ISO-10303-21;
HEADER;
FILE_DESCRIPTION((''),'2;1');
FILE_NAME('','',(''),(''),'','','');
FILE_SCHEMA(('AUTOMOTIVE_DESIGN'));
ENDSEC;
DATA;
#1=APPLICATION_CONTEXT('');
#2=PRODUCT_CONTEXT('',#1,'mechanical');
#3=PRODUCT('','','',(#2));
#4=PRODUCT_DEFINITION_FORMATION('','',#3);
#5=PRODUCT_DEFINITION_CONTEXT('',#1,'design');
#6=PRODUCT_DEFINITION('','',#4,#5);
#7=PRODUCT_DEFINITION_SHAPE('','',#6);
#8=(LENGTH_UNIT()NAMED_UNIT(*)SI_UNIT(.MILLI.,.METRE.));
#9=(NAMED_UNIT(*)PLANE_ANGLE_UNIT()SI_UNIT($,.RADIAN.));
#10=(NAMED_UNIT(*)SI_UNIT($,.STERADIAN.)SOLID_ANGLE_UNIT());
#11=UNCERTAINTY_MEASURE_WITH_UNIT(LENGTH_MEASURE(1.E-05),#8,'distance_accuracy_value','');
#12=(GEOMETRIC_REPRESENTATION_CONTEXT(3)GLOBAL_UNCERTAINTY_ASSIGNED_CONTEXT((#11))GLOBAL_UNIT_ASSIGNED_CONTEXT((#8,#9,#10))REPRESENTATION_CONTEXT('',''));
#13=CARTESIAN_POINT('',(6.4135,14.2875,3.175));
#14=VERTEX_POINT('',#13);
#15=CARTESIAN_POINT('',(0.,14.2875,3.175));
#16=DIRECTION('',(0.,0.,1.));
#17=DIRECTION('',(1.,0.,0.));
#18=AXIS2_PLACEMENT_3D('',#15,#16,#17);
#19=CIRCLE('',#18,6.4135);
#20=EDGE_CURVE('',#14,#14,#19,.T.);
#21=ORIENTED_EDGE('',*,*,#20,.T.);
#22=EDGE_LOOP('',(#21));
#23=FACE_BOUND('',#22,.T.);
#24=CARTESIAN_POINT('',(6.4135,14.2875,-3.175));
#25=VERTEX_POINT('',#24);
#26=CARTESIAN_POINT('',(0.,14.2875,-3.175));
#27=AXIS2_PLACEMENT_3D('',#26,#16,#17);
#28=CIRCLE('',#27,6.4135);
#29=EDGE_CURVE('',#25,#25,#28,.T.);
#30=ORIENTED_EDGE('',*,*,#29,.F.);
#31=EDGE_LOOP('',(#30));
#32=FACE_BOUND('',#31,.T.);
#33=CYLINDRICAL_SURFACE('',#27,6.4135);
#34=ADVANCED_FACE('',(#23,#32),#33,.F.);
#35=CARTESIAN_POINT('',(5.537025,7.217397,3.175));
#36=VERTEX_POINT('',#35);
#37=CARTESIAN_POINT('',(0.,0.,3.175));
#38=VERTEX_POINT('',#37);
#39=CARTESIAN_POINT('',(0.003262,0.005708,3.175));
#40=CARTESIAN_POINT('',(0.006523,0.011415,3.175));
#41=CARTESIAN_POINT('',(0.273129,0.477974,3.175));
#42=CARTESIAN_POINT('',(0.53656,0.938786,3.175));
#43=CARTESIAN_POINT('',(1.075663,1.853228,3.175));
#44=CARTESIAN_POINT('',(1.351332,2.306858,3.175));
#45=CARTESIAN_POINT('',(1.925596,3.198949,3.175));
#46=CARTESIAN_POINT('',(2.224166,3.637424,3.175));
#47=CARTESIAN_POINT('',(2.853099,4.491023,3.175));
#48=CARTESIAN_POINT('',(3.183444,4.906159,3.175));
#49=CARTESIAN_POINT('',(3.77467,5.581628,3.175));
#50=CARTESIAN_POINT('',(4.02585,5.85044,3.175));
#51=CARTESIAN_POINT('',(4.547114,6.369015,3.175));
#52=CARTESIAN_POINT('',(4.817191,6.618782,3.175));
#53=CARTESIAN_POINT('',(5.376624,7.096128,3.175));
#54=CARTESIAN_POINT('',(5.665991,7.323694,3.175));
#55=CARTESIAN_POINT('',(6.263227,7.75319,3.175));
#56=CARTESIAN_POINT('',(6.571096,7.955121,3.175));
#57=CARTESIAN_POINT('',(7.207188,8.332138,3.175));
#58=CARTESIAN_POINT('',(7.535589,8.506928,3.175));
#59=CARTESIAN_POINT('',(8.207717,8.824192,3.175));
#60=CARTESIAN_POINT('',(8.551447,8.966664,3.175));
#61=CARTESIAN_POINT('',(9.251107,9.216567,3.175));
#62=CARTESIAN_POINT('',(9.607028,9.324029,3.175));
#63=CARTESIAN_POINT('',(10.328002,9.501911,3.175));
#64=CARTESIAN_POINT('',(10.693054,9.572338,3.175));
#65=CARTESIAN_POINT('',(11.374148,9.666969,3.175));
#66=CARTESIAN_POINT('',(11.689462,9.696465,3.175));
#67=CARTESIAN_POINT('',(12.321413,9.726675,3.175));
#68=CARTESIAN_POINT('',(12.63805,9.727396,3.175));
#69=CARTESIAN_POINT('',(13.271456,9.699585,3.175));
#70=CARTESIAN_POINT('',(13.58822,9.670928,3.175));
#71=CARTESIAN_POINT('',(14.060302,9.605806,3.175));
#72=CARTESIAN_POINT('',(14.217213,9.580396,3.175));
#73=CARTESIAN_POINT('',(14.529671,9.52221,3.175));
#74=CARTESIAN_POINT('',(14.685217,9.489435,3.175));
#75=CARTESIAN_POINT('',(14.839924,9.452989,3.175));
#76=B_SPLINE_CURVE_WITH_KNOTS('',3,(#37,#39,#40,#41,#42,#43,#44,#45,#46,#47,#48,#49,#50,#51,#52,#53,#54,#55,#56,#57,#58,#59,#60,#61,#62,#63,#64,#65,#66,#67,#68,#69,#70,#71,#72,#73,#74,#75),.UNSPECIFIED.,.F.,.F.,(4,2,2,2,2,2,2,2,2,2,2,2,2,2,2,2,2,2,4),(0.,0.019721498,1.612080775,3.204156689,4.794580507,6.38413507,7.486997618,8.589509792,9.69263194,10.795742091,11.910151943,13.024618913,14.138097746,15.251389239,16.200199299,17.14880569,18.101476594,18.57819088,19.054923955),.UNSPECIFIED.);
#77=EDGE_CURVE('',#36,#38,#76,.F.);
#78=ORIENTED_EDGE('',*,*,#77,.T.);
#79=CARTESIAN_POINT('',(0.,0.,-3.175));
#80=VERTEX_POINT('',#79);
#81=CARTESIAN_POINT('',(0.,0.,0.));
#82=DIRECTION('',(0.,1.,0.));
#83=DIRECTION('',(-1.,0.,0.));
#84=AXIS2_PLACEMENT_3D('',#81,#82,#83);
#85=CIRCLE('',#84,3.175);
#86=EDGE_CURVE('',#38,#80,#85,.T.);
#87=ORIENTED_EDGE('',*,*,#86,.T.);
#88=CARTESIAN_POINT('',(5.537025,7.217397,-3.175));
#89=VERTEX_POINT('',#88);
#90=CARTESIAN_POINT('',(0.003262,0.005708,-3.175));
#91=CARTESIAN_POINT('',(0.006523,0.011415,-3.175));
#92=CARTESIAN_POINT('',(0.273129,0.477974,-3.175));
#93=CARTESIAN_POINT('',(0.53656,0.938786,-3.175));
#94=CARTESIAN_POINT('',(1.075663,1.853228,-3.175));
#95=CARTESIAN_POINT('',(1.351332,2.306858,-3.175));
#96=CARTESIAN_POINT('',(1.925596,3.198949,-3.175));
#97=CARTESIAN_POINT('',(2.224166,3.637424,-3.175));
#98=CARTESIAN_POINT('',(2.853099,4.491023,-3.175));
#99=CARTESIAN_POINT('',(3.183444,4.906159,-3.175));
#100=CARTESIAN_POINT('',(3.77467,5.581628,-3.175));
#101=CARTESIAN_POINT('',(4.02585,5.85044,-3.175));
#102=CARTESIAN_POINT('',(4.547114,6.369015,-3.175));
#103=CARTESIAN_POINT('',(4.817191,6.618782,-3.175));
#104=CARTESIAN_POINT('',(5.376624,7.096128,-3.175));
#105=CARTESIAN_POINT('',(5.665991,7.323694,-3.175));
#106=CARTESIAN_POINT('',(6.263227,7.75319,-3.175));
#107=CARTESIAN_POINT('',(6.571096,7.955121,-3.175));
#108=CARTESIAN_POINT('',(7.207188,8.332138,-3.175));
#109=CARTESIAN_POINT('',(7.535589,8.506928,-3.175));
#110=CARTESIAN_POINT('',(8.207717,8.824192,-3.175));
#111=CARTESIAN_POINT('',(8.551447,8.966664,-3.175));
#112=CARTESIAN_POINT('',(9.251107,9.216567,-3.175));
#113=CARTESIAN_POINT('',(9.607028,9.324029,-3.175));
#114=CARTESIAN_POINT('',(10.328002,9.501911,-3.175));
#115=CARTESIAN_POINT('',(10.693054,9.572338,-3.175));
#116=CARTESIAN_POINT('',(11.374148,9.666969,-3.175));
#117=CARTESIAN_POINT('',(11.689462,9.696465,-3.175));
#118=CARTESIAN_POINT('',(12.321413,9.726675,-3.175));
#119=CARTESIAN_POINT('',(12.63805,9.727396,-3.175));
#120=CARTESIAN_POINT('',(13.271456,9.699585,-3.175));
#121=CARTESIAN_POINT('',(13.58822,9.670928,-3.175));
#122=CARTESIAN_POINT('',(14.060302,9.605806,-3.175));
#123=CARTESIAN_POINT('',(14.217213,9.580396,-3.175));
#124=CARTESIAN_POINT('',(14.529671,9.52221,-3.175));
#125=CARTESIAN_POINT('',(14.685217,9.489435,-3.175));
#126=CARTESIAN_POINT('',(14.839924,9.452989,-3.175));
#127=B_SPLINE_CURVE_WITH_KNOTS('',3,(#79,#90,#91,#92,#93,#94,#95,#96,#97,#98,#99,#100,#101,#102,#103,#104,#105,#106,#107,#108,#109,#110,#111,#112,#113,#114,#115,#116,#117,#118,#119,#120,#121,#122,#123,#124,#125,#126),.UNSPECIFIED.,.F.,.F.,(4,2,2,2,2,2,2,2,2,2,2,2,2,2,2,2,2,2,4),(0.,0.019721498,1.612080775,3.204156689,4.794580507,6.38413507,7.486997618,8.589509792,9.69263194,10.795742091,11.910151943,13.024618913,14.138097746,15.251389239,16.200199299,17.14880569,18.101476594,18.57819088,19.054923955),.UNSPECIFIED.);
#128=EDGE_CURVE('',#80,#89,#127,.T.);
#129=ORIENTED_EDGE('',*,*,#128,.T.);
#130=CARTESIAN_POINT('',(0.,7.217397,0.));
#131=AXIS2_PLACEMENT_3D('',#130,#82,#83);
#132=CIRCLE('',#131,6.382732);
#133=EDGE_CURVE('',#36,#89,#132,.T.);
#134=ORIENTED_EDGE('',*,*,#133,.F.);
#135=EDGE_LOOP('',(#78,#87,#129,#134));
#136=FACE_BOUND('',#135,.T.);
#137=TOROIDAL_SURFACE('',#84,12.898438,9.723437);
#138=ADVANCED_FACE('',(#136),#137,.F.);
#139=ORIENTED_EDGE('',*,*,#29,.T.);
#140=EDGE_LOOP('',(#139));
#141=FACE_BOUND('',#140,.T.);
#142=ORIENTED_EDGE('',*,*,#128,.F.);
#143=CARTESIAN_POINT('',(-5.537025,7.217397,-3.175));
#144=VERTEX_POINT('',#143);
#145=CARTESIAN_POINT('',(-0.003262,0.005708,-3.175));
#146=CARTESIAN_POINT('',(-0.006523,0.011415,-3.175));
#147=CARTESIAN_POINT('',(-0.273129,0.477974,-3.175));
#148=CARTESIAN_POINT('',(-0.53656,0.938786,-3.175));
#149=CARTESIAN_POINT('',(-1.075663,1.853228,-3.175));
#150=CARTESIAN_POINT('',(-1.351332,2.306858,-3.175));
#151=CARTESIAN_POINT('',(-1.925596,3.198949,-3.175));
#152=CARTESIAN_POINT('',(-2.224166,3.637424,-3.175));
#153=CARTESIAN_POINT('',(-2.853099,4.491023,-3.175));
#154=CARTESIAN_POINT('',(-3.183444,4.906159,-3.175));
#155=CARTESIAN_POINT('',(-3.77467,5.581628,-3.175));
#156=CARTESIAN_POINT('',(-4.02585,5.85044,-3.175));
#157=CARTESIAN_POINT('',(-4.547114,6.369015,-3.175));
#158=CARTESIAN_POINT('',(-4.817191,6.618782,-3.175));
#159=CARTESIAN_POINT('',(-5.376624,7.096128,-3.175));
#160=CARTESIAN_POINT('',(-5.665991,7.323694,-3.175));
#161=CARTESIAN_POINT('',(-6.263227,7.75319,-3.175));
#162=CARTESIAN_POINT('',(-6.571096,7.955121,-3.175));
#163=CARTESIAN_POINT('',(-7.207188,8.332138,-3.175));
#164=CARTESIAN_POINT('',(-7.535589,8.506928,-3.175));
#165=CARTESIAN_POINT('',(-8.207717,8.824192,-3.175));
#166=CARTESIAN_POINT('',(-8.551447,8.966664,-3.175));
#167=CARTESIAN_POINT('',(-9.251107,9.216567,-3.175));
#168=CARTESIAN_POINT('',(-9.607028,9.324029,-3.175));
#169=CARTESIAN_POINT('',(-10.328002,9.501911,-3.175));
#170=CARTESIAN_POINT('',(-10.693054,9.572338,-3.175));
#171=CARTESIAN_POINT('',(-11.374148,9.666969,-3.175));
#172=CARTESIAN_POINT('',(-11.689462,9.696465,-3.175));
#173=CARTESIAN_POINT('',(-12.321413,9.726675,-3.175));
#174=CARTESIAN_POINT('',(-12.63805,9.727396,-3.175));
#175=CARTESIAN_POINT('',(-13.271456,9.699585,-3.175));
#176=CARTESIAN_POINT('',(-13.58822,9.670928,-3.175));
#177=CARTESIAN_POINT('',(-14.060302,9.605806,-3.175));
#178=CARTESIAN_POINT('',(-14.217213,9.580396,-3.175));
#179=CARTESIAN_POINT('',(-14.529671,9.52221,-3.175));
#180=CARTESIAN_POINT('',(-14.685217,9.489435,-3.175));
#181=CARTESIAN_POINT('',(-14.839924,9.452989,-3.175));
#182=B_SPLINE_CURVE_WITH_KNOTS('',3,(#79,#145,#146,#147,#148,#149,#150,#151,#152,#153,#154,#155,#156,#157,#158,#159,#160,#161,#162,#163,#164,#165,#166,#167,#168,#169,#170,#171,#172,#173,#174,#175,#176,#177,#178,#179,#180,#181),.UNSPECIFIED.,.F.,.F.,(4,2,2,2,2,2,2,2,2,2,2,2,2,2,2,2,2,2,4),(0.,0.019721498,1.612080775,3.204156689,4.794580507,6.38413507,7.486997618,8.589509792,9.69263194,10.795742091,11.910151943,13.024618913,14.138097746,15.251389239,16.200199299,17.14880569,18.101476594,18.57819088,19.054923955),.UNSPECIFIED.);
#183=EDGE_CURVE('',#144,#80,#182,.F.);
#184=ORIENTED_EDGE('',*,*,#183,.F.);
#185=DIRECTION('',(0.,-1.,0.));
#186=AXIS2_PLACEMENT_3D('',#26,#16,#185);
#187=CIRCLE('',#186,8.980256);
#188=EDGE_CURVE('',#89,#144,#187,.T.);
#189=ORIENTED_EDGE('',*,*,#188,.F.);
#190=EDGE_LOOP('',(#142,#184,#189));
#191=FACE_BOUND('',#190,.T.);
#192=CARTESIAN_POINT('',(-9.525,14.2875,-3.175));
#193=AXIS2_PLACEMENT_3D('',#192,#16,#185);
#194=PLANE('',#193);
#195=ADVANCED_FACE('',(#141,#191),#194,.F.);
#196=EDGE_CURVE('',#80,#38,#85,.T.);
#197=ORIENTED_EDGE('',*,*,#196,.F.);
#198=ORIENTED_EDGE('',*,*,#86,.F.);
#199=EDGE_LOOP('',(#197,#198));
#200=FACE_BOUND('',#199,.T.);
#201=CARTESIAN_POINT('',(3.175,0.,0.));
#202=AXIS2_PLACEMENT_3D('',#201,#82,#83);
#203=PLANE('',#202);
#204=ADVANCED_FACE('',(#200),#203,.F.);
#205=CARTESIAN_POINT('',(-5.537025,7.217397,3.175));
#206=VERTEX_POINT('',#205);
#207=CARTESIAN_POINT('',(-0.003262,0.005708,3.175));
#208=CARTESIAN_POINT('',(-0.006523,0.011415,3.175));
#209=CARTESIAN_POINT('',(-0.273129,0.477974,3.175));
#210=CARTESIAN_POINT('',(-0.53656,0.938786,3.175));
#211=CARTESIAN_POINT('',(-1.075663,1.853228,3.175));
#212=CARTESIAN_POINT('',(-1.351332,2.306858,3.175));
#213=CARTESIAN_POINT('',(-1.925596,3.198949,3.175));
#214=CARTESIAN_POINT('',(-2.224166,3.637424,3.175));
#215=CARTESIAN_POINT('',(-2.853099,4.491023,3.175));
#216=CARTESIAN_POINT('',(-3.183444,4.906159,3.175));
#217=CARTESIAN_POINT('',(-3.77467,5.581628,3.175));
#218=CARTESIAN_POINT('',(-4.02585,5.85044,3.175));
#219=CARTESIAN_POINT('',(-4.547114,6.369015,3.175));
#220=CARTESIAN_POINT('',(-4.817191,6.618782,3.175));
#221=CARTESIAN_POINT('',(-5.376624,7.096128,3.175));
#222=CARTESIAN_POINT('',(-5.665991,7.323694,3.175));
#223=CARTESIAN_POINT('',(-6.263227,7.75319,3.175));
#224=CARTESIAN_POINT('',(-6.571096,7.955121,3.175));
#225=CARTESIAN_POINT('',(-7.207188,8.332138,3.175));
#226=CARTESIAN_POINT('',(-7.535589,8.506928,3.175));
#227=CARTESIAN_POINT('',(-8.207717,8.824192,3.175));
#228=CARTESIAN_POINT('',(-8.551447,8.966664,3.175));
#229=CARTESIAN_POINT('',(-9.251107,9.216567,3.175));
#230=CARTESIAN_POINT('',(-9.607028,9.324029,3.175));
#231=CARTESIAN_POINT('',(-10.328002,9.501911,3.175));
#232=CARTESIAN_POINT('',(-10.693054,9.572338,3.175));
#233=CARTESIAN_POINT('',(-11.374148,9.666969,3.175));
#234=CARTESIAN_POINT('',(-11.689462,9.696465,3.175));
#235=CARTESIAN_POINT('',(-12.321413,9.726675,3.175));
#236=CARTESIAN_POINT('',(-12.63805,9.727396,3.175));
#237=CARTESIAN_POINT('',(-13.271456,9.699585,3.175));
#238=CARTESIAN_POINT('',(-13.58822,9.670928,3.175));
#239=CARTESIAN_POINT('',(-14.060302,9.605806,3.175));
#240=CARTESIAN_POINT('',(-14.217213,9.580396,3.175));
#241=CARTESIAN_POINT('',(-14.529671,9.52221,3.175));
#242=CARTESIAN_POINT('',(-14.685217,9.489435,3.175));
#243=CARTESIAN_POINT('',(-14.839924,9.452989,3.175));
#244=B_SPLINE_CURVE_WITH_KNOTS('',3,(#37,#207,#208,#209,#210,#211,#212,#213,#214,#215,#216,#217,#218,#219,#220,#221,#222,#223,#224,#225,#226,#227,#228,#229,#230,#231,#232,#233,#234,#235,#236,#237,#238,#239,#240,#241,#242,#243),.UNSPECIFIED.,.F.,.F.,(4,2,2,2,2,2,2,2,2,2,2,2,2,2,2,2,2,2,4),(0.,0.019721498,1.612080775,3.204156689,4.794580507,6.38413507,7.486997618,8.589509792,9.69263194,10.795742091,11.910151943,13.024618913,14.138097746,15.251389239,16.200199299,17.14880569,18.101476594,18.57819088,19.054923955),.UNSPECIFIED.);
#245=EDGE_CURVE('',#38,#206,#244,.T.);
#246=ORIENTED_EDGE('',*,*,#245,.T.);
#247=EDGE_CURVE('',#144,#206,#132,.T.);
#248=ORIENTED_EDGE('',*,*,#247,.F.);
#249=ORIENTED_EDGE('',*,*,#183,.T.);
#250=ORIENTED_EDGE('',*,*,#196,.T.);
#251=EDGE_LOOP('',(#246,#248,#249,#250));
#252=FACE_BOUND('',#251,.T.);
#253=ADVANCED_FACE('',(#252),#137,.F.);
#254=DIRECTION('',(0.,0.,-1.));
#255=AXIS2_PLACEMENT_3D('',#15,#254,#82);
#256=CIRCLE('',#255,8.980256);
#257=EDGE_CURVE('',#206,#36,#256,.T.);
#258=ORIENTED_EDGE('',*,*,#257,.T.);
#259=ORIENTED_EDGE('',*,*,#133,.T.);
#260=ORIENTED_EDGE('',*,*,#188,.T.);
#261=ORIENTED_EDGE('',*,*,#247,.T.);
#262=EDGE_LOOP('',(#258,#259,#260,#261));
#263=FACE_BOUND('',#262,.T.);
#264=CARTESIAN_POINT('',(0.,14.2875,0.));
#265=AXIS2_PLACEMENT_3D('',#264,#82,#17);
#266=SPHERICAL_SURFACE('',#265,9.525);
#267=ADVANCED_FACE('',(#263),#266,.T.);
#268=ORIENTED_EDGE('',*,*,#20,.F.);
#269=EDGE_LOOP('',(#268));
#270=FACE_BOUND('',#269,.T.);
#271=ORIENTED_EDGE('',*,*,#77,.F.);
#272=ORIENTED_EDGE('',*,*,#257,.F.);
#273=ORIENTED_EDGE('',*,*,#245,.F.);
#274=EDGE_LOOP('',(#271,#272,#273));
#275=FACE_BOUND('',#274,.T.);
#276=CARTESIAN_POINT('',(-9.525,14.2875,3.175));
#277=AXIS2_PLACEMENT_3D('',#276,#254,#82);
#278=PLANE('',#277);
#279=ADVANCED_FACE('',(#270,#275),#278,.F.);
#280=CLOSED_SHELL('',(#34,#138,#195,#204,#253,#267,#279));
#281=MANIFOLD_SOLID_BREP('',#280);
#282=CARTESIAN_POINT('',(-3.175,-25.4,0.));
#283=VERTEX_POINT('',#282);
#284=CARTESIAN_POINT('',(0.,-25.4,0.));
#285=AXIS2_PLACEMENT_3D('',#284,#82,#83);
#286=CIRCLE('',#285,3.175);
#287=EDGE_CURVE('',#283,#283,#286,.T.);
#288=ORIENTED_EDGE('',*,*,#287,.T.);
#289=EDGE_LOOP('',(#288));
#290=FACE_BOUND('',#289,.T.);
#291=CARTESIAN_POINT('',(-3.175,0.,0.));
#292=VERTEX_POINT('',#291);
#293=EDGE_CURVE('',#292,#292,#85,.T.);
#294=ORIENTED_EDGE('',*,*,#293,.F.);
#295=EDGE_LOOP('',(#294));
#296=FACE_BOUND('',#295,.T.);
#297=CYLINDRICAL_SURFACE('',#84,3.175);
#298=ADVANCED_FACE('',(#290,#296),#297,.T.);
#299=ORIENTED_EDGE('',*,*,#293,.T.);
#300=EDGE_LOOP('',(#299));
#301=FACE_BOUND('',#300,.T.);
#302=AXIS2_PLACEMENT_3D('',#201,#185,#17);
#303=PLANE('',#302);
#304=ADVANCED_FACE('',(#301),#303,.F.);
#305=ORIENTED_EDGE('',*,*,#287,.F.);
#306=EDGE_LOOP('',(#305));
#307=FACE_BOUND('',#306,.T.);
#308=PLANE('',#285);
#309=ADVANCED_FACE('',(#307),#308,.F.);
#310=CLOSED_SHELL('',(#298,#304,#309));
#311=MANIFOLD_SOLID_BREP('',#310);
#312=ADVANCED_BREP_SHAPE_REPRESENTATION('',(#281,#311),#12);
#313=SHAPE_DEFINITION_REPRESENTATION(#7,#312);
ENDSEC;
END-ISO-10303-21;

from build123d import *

# Parameters (mm, degrees)
SKETCH14_W               = 3.175
SKETCH14_H               = 25.4
CUT_EXTRUDE10_DEPTH      = 29.750847814
CUT_EXTRUDE10_DEPTH_BACK = 29.750847814
CUT_EXTRUDE9_DEPTH       = 28.312382734
CUT_EXTRUDE9_DEPTH_BACK  = 28.312382734
SKETCH17_R               = 6.4135


with BuildPart() as part:
    # Sketch14 → Revolve4 (revolve)
    with BuildSketch(Plane.XY, mode=Mode.PRIVATE) as revolve4_sk:
        with Locations((1.5875, -12.7)):
            Rectangle(SKETCH14_W, SKETCH14_H)
    revolve(revolve4_sk.sketch.rotate(Axis((0, 0, 0), (0, -1, 0)), 180), axis=Axis((0, 0, 0), (0, -1, 0)))


with BuildPart() as body_2:
    # Sketch21 → Revolve5 (revolve)
    with BuildSketch(Plane.XY):
        with BuildLine():
            Line((0, 23.8125), (0, 0))
            Line((0, 0), (3.175, 0))
            ThreePointArc((3.175, 0), (4.01304802, 3.949061991), (6.382731959, 7.217396907))
            ThreePointArc((6.382731959, 7.217396907), (8.890116899, 17.70677573), (0, 23.8125))
        make_face()
    revolve(axis=Axis((0, 0, 0), (0, -1, 0)))

    # Sketch24 → Cut-Extrude10 (cut, two sides: drawn at the far end of the back side and taken through both)
    with BuildSketch(Plane(origin=(0, 0, 0), x_dir=(0, 0, -1), z_dir=(1, 0, 0)).offset(-CUT_EXTRUDE10_DEPTH_BACK)):
        Polygon((3.175, 14.2875), (3.175, 23.8125), (9.525, 23.8125), (9.525, 0), (3.175, 0), (3.175, 0.635), align=None)
        Polygon((-3.175, 0), (-9.525, 0), (-9.525, 23.8125), (-3.175, 23.8125), (-3.175, 14.2875), (-3.175, 0.635), align=None)
    extrude(amount=CUT_EXTRUDE10_DEPTH + CUT_EXTRUDE10_DEPTH_BACK, mode=Mode.SUBTRACT)

    # Sketch17 → Cut-Extrude9 (cut, two sides: drawn at the far end of the back side and taken through both)
    with BuildSketch(Plane.XY.offset(-CUT_EXTRUDE9_DEPTH_BACK)):
        with Locations((0, 14.2875)):
            Circle(SKETCH17_R)
    extrude(amount=CUT_EXTRUDE9_DEPTH + CUT_EXTRUDE9_DEPTH_BACK, mode=Mode.SUBTRACT)


solid = Compound([part.part, body_2.part])
